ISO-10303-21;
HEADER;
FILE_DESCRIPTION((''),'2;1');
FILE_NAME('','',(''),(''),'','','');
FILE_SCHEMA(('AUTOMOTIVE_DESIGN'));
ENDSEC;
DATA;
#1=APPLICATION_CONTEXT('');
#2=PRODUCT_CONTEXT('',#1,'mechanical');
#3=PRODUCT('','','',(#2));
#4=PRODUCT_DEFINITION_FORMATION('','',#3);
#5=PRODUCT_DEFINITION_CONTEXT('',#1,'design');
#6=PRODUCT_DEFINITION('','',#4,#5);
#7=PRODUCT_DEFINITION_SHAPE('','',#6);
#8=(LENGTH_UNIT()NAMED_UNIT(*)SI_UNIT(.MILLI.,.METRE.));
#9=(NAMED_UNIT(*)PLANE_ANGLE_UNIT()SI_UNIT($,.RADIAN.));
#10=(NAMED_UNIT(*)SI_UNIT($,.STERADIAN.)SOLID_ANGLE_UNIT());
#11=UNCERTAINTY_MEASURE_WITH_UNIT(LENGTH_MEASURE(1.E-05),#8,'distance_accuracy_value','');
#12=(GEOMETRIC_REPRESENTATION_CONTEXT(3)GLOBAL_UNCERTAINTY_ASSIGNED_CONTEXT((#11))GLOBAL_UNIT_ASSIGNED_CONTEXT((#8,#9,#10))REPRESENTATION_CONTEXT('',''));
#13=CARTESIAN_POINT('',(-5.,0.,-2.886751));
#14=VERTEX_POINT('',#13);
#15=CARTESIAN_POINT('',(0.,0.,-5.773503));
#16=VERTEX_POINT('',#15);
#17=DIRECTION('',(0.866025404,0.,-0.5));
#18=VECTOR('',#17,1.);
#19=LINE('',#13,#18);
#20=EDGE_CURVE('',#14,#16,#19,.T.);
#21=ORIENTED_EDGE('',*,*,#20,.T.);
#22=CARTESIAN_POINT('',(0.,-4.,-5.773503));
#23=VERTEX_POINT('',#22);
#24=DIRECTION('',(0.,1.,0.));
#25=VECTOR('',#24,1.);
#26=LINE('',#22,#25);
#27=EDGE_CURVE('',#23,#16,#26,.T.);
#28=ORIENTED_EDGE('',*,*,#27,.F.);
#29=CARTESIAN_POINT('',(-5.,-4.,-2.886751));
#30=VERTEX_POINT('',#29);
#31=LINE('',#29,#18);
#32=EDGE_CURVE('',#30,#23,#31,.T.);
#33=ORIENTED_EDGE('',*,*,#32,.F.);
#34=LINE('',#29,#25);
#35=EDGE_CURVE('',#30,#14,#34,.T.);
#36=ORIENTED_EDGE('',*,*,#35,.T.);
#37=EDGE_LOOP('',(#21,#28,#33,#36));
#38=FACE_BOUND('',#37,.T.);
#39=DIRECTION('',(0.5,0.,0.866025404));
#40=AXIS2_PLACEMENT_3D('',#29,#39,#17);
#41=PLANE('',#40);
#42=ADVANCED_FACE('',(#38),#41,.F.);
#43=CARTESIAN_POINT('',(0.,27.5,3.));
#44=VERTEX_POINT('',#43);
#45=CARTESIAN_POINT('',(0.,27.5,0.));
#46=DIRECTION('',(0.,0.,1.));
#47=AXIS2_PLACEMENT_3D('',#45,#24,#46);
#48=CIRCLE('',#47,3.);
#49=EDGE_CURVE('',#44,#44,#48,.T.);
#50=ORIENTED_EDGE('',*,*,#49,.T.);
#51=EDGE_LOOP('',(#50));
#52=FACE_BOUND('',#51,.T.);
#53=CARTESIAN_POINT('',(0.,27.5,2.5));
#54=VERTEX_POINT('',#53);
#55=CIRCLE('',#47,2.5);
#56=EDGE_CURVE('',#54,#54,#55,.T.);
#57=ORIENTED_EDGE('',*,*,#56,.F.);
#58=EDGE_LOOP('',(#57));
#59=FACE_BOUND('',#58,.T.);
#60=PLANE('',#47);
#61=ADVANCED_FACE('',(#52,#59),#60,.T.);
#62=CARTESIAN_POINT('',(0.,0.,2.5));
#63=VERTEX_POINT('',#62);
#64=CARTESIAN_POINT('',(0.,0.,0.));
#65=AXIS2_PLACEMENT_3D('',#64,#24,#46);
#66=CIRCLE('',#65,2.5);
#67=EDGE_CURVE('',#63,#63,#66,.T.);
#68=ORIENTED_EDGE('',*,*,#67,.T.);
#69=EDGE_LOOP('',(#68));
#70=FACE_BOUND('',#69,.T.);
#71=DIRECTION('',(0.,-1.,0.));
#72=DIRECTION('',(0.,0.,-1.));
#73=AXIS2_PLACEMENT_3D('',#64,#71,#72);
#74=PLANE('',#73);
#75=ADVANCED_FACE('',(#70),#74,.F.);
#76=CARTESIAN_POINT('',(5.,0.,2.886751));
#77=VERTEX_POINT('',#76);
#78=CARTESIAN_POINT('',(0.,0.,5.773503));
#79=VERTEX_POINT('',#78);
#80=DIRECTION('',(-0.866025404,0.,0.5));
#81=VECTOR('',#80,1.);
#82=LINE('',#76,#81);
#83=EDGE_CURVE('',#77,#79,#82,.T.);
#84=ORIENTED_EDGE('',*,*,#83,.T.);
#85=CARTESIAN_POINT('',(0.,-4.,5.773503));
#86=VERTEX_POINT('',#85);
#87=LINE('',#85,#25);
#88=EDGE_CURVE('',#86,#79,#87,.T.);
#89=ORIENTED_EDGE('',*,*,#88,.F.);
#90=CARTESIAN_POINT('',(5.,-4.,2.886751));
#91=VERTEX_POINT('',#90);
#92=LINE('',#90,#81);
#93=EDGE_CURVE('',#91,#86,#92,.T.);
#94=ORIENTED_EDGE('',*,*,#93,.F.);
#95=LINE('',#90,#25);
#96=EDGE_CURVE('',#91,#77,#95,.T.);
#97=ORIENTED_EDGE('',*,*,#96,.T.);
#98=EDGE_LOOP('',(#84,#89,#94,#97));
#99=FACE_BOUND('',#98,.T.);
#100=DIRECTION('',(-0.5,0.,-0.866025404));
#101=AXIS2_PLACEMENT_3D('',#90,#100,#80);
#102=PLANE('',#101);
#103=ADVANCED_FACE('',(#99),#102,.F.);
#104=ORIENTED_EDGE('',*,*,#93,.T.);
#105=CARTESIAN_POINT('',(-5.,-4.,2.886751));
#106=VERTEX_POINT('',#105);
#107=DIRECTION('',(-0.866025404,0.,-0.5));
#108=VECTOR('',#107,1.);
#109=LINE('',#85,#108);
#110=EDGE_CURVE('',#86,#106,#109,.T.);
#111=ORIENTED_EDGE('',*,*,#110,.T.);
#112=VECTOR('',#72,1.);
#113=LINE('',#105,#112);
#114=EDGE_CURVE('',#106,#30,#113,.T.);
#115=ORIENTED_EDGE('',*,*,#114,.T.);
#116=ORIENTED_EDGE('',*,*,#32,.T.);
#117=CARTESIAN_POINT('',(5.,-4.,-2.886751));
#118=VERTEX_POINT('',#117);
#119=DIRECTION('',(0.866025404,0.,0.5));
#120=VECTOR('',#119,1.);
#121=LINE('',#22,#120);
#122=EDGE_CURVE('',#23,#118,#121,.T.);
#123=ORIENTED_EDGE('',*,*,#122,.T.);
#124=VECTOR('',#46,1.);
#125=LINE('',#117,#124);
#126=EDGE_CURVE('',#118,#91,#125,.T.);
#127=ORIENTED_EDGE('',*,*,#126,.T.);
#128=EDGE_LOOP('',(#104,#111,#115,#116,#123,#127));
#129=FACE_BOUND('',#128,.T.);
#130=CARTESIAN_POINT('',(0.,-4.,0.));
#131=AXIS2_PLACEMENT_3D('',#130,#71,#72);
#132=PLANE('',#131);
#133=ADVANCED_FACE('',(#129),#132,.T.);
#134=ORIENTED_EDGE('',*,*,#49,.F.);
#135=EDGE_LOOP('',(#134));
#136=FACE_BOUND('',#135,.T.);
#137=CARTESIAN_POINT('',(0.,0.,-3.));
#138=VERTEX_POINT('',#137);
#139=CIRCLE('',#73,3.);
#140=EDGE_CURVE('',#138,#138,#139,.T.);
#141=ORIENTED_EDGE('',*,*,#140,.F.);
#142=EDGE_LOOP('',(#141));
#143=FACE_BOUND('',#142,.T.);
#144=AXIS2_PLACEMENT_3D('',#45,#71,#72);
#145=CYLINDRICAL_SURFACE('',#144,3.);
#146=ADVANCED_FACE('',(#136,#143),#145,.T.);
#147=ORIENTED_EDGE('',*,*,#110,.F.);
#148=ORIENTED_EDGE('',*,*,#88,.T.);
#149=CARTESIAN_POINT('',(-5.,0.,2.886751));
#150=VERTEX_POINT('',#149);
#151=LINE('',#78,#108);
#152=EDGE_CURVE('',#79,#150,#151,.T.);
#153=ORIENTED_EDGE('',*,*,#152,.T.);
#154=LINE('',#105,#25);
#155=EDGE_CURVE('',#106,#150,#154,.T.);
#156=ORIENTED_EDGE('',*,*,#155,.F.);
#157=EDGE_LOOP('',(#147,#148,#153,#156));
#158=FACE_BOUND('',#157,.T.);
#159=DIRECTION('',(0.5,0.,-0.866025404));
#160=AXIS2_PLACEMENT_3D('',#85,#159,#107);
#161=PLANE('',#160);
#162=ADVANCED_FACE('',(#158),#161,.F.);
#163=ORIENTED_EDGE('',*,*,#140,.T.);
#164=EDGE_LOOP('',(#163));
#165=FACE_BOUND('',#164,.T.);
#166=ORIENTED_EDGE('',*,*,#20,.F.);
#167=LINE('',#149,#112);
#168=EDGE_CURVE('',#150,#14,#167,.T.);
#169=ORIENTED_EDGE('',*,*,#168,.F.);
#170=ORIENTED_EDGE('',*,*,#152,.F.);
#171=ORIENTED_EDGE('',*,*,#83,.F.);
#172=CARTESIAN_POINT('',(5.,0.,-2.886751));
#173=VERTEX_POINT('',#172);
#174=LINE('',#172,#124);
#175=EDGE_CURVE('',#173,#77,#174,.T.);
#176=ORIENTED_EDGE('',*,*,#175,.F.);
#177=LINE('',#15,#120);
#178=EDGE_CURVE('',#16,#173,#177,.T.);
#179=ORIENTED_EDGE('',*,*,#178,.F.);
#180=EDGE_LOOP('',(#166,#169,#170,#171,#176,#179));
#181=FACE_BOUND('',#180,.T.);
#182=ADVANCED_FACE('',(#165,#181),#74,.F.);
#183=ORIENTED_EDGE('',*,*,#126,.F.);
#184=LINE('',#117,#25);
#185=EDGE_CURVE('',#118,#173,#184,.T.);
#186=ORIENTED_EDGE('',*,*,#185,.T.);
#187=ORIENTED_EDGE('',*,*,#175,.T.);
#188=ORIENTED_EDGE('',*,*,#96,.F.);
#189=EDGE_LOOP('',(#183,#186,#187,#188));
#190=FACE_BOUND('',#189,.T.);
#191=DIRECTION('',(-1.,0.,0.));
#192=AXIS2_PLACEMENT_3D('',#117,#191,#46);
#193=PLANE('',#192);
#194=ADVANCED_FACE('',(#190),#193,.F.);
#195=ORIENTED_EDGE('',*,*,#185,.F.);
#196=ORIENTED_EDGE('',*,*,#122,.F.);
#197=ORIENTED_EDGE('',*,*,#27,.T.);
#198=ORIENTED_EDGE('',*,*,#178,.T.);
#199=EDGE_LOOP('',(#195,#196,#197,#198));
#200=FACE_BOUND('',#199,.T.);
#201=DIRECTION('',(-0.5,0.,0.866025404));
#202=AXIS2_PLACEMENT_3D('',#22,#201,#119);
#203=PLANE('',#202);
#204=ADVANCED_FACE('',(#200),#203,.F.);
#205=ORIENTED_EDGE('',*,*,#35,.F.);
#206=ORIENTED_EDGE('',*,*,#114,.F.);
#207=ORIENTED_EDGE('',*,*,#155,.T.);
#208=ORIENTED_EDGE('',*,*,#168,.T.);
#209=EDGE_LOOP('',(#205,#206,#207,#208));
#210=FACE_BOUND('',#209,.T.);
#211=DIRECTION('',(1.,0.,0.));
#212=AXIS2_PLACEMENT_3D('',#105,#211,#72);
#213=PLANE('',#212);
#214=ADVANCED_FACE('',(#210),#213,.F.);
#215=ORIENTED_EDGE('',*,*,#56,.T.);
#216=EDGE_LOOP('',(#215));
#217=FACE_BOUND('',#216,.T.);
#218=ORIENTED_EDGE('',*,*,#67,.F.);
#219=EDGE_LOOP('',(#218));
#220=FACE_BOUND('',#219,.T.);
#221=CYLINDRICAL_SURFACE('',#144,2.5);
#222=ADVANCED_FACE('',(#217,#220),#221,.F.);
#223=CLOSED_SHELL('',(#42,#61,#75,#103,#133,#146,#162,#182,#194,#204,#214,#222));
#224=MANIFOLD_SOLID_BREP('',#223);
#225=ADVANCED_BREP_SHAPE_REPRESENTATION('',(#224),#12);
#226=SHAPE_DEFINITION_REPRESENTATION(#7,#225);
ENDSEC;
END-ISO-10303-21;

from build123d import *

# Parameters (mm, degrees)
SKETCH1_R           = 3
SKETCH1_R_2         = 2.5
BOSS_EXTRUDE1_DEPTH = 27.5
BOSS_EXTRUDE2_DEPTH = 4


with BuildPart() as part:
    # Sketch1 → Boss-Extrude1 (new body)
    with BuildSketch(Plane(origin=(0, 0, 0), x_dir=(1, 0, 0), z_dir=(0, 1, 0))):
        Circle(SKETCH1_R)
        Circle(SKETCH1_R_2, mode=Mode.SUBTRACT)
    extrude(amount=BOSS_EXTRUDE1_DEPTH)

    # Sketch2 → Boss-Extrude2 (add)
    with BuildSketch(Plane.XZ):
        Polygon((0, 5.773502692), (-5, 2.886751346), (-5, -2.886751346), (0, -5.773502692), (5, -2.886751346), (5, 2.886751346), align=None)
    extrude(amount=BOSS_EXTRUDE2_DEPTH)


solid = part.part
